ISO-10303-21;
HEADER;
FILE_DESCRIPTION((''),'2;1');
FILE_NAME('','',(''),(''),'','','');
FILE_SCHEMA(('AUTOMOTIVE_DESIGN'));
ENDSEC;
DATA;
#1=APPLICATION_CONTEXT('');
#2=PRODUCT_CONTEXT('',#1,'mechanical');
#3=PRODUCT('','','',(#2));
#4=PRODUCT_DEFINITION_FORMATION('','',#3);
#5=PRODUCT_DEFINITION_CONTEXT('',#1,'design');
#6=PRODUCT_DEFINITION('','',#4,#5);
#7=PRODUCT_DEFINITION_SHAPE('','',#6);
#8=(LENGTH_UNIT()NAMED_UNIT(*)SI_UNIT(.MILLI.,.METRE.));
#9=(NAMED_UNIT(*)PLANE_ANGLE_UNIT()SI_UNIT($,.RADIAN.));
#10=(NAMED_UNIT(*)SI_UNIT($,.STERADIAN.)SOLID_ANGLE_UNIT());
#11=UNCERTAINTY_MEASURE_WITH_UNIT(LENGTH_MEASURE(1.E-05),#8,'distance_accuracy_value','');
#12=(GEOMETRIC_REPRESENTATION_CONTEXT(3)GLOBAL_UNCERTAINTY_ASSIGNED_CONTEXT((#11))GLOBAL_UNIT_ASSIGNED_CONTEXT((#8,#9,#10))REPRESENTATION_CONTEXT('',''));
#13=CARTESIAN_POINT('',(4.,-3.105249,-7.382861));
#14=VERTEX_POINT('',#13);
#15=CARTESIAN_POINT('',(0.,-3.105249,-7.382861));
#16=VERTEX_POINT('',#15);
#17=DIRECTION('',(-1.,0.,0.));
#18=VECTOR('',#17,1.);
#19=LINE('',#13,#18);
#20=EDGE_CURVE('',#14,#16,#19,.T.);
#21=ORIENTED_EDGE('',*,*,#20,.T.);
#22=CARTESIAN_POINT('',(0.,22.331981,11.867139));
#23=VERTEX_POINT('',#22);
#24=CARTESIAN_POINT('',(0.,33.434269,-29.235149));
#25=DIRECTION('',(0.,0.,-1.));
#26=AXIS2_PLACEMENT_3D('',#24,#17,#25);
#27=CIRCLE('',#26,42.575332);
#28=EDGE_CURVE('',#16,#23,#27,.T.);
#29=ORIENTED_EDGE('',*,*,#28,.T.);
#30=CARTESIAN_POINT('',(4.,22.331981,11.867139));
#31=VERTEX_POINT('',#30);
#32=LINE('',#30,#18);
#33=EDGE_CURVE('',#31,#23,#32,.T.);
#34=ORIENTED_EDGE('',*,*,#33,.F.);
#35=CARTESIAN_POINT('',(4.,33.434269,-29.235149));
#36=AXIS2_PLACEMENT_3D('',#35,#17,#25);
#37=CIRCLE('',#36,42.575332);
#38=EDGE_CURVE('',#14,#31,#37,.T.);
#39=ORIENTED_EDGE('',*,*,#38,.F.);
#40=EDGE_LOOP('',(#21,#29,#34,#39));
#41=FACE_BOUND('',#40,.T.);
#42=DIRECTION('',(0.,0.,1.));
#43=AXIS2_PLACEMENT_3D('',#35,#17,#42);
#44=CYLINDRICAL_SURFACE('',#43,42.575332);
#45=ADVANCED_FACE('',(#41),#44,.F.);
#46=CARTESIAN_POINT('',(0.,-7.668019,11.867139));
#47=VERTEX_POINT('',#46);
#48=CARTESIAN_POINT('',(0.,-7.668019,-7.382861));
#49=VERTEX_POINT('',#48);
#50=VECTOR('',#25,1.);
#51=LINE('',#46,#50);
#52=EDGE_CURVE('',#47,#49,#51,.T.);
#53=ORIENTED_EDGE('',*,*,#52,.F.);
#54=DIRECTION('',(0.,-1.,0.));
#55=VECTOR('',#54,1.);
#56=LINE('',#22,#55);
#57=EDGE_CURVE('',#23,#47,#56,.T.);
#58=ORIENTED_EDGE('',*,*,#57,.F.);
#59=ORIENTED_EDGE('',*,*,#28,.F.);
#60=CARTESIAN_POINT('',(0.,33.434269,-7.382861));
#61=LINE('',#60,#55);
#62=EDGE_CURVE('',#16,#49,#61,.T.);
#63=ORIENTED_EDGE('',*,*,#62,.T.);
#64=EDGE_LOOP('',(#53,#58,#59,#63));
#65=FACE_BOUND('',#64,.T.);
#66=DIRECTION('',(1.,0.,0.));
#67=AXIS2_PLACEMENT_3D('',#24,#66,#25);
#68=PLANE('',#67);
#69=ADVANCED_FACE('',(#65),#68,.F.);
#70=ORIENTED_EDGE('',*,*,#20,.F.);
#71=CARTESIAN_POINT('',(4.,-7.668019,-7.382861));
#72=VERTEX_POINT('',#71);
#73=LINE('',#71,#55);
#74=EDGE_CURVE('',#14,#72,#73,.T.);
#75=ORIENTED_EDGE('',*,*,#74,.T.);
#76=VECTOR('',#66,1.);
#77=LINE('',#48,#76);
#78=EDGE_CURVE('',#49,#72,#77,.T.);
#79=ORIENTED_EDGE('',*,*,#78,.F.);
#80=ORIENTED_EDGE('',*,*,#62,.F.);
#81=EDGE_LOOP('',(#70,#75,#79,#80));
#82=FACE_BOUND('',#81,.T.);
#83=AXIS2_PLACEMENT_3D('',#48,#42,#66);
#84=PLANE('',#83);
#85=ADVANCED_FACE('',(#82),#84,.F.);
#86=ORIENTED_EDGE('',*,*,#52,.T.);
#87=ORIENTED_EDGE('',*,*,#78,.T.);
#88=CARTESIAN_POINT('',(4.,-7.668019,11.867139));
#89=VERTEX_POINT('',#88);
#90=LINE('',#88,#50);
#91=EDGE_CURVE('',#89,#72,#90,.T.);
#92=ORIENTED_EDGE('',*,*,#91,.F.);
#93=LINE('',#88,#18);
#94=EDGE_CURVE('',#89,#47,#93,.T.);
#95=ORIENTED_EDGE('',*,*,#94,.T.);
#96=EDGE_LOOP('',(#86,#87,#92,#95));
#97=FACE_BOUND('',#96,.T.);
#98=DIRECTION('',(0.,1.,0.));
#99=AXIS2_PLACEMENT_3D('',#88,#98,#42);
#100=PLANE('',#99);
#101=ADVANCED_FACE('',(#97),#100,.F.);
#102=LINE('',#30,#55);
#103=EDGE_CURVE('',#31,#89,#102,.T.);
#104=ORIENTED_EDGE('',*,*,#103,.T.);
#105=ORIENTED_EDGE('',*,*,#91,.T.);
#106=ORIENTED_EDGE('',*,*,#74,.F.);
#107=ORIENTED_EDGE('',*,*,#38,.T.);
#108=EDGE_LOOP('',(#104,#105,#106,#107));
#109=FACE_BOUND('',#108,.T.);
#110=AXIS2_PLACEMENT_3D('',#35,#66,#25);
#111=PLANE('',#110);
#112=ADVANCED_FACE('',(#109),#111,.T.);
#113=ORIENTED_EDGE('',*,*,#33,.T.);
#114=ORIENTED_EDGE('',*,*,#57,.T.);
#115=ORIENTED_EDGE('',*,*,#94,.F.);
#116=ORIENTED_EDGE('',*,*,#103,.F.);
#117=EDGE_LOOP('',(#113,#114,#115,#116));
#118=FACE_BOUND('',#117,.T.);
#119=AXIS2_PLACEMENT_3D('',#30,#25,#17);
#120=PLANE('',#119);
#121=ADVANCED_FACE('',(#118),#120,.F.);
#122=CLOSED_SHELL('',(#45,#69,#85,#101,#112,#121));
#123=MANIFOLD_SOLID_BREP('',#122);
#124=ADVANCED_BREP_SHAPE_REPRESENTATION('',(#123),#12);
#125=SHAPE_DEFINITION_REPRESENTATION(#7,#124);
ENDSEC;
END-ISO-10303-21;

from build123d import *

# Parameters (mm, degrees)
BOSS_EXTRUDE1_DEPTH = 4
SKETCH2_W           = 10.75
SKETCH2_H           = 20.327264221
CUT_EXTRUDE1_DEPTH  = 4


with BuildPart() as part:
    # Sketch1 → Boss-Extrude1 (new body)
    with BuildSketch(Plane(origin=(0, 0, 0), x_dir=(0, 0, -1), z_dir=(1, 0, 0))):
        with BuildLine():
            Line((-11.867139326, 22.331980986), (-11.867139326, -7.668019014))
            Line((-11.867139326, -7.668019014), (18.132860674, -7.668019014))
            ThreePointArc((18.132860674, -7.668019014), (-0.870157122, 3.328963189), (-11.867139326, 22.331980986))
        make_face()
    extrude(amount=BOSS_EXTRUDE1_DEPTH)

    # Sketch2 → Cut-Extrude1 (cut)
    with BuildSketch(Plane(origin=(4, 0, 0), x_dir=(0, 0, -1), z_dir=(1, 0, 0))):
        with Locations((12.757860674, 2.495613097)):
            Rectangle(SKETCH2_W, SKETCH2_H)
    extrude(amount=-CUT_EXTRUDE1_DEPTH, mode=Mode.SUBTRACT)


solid = part.part
